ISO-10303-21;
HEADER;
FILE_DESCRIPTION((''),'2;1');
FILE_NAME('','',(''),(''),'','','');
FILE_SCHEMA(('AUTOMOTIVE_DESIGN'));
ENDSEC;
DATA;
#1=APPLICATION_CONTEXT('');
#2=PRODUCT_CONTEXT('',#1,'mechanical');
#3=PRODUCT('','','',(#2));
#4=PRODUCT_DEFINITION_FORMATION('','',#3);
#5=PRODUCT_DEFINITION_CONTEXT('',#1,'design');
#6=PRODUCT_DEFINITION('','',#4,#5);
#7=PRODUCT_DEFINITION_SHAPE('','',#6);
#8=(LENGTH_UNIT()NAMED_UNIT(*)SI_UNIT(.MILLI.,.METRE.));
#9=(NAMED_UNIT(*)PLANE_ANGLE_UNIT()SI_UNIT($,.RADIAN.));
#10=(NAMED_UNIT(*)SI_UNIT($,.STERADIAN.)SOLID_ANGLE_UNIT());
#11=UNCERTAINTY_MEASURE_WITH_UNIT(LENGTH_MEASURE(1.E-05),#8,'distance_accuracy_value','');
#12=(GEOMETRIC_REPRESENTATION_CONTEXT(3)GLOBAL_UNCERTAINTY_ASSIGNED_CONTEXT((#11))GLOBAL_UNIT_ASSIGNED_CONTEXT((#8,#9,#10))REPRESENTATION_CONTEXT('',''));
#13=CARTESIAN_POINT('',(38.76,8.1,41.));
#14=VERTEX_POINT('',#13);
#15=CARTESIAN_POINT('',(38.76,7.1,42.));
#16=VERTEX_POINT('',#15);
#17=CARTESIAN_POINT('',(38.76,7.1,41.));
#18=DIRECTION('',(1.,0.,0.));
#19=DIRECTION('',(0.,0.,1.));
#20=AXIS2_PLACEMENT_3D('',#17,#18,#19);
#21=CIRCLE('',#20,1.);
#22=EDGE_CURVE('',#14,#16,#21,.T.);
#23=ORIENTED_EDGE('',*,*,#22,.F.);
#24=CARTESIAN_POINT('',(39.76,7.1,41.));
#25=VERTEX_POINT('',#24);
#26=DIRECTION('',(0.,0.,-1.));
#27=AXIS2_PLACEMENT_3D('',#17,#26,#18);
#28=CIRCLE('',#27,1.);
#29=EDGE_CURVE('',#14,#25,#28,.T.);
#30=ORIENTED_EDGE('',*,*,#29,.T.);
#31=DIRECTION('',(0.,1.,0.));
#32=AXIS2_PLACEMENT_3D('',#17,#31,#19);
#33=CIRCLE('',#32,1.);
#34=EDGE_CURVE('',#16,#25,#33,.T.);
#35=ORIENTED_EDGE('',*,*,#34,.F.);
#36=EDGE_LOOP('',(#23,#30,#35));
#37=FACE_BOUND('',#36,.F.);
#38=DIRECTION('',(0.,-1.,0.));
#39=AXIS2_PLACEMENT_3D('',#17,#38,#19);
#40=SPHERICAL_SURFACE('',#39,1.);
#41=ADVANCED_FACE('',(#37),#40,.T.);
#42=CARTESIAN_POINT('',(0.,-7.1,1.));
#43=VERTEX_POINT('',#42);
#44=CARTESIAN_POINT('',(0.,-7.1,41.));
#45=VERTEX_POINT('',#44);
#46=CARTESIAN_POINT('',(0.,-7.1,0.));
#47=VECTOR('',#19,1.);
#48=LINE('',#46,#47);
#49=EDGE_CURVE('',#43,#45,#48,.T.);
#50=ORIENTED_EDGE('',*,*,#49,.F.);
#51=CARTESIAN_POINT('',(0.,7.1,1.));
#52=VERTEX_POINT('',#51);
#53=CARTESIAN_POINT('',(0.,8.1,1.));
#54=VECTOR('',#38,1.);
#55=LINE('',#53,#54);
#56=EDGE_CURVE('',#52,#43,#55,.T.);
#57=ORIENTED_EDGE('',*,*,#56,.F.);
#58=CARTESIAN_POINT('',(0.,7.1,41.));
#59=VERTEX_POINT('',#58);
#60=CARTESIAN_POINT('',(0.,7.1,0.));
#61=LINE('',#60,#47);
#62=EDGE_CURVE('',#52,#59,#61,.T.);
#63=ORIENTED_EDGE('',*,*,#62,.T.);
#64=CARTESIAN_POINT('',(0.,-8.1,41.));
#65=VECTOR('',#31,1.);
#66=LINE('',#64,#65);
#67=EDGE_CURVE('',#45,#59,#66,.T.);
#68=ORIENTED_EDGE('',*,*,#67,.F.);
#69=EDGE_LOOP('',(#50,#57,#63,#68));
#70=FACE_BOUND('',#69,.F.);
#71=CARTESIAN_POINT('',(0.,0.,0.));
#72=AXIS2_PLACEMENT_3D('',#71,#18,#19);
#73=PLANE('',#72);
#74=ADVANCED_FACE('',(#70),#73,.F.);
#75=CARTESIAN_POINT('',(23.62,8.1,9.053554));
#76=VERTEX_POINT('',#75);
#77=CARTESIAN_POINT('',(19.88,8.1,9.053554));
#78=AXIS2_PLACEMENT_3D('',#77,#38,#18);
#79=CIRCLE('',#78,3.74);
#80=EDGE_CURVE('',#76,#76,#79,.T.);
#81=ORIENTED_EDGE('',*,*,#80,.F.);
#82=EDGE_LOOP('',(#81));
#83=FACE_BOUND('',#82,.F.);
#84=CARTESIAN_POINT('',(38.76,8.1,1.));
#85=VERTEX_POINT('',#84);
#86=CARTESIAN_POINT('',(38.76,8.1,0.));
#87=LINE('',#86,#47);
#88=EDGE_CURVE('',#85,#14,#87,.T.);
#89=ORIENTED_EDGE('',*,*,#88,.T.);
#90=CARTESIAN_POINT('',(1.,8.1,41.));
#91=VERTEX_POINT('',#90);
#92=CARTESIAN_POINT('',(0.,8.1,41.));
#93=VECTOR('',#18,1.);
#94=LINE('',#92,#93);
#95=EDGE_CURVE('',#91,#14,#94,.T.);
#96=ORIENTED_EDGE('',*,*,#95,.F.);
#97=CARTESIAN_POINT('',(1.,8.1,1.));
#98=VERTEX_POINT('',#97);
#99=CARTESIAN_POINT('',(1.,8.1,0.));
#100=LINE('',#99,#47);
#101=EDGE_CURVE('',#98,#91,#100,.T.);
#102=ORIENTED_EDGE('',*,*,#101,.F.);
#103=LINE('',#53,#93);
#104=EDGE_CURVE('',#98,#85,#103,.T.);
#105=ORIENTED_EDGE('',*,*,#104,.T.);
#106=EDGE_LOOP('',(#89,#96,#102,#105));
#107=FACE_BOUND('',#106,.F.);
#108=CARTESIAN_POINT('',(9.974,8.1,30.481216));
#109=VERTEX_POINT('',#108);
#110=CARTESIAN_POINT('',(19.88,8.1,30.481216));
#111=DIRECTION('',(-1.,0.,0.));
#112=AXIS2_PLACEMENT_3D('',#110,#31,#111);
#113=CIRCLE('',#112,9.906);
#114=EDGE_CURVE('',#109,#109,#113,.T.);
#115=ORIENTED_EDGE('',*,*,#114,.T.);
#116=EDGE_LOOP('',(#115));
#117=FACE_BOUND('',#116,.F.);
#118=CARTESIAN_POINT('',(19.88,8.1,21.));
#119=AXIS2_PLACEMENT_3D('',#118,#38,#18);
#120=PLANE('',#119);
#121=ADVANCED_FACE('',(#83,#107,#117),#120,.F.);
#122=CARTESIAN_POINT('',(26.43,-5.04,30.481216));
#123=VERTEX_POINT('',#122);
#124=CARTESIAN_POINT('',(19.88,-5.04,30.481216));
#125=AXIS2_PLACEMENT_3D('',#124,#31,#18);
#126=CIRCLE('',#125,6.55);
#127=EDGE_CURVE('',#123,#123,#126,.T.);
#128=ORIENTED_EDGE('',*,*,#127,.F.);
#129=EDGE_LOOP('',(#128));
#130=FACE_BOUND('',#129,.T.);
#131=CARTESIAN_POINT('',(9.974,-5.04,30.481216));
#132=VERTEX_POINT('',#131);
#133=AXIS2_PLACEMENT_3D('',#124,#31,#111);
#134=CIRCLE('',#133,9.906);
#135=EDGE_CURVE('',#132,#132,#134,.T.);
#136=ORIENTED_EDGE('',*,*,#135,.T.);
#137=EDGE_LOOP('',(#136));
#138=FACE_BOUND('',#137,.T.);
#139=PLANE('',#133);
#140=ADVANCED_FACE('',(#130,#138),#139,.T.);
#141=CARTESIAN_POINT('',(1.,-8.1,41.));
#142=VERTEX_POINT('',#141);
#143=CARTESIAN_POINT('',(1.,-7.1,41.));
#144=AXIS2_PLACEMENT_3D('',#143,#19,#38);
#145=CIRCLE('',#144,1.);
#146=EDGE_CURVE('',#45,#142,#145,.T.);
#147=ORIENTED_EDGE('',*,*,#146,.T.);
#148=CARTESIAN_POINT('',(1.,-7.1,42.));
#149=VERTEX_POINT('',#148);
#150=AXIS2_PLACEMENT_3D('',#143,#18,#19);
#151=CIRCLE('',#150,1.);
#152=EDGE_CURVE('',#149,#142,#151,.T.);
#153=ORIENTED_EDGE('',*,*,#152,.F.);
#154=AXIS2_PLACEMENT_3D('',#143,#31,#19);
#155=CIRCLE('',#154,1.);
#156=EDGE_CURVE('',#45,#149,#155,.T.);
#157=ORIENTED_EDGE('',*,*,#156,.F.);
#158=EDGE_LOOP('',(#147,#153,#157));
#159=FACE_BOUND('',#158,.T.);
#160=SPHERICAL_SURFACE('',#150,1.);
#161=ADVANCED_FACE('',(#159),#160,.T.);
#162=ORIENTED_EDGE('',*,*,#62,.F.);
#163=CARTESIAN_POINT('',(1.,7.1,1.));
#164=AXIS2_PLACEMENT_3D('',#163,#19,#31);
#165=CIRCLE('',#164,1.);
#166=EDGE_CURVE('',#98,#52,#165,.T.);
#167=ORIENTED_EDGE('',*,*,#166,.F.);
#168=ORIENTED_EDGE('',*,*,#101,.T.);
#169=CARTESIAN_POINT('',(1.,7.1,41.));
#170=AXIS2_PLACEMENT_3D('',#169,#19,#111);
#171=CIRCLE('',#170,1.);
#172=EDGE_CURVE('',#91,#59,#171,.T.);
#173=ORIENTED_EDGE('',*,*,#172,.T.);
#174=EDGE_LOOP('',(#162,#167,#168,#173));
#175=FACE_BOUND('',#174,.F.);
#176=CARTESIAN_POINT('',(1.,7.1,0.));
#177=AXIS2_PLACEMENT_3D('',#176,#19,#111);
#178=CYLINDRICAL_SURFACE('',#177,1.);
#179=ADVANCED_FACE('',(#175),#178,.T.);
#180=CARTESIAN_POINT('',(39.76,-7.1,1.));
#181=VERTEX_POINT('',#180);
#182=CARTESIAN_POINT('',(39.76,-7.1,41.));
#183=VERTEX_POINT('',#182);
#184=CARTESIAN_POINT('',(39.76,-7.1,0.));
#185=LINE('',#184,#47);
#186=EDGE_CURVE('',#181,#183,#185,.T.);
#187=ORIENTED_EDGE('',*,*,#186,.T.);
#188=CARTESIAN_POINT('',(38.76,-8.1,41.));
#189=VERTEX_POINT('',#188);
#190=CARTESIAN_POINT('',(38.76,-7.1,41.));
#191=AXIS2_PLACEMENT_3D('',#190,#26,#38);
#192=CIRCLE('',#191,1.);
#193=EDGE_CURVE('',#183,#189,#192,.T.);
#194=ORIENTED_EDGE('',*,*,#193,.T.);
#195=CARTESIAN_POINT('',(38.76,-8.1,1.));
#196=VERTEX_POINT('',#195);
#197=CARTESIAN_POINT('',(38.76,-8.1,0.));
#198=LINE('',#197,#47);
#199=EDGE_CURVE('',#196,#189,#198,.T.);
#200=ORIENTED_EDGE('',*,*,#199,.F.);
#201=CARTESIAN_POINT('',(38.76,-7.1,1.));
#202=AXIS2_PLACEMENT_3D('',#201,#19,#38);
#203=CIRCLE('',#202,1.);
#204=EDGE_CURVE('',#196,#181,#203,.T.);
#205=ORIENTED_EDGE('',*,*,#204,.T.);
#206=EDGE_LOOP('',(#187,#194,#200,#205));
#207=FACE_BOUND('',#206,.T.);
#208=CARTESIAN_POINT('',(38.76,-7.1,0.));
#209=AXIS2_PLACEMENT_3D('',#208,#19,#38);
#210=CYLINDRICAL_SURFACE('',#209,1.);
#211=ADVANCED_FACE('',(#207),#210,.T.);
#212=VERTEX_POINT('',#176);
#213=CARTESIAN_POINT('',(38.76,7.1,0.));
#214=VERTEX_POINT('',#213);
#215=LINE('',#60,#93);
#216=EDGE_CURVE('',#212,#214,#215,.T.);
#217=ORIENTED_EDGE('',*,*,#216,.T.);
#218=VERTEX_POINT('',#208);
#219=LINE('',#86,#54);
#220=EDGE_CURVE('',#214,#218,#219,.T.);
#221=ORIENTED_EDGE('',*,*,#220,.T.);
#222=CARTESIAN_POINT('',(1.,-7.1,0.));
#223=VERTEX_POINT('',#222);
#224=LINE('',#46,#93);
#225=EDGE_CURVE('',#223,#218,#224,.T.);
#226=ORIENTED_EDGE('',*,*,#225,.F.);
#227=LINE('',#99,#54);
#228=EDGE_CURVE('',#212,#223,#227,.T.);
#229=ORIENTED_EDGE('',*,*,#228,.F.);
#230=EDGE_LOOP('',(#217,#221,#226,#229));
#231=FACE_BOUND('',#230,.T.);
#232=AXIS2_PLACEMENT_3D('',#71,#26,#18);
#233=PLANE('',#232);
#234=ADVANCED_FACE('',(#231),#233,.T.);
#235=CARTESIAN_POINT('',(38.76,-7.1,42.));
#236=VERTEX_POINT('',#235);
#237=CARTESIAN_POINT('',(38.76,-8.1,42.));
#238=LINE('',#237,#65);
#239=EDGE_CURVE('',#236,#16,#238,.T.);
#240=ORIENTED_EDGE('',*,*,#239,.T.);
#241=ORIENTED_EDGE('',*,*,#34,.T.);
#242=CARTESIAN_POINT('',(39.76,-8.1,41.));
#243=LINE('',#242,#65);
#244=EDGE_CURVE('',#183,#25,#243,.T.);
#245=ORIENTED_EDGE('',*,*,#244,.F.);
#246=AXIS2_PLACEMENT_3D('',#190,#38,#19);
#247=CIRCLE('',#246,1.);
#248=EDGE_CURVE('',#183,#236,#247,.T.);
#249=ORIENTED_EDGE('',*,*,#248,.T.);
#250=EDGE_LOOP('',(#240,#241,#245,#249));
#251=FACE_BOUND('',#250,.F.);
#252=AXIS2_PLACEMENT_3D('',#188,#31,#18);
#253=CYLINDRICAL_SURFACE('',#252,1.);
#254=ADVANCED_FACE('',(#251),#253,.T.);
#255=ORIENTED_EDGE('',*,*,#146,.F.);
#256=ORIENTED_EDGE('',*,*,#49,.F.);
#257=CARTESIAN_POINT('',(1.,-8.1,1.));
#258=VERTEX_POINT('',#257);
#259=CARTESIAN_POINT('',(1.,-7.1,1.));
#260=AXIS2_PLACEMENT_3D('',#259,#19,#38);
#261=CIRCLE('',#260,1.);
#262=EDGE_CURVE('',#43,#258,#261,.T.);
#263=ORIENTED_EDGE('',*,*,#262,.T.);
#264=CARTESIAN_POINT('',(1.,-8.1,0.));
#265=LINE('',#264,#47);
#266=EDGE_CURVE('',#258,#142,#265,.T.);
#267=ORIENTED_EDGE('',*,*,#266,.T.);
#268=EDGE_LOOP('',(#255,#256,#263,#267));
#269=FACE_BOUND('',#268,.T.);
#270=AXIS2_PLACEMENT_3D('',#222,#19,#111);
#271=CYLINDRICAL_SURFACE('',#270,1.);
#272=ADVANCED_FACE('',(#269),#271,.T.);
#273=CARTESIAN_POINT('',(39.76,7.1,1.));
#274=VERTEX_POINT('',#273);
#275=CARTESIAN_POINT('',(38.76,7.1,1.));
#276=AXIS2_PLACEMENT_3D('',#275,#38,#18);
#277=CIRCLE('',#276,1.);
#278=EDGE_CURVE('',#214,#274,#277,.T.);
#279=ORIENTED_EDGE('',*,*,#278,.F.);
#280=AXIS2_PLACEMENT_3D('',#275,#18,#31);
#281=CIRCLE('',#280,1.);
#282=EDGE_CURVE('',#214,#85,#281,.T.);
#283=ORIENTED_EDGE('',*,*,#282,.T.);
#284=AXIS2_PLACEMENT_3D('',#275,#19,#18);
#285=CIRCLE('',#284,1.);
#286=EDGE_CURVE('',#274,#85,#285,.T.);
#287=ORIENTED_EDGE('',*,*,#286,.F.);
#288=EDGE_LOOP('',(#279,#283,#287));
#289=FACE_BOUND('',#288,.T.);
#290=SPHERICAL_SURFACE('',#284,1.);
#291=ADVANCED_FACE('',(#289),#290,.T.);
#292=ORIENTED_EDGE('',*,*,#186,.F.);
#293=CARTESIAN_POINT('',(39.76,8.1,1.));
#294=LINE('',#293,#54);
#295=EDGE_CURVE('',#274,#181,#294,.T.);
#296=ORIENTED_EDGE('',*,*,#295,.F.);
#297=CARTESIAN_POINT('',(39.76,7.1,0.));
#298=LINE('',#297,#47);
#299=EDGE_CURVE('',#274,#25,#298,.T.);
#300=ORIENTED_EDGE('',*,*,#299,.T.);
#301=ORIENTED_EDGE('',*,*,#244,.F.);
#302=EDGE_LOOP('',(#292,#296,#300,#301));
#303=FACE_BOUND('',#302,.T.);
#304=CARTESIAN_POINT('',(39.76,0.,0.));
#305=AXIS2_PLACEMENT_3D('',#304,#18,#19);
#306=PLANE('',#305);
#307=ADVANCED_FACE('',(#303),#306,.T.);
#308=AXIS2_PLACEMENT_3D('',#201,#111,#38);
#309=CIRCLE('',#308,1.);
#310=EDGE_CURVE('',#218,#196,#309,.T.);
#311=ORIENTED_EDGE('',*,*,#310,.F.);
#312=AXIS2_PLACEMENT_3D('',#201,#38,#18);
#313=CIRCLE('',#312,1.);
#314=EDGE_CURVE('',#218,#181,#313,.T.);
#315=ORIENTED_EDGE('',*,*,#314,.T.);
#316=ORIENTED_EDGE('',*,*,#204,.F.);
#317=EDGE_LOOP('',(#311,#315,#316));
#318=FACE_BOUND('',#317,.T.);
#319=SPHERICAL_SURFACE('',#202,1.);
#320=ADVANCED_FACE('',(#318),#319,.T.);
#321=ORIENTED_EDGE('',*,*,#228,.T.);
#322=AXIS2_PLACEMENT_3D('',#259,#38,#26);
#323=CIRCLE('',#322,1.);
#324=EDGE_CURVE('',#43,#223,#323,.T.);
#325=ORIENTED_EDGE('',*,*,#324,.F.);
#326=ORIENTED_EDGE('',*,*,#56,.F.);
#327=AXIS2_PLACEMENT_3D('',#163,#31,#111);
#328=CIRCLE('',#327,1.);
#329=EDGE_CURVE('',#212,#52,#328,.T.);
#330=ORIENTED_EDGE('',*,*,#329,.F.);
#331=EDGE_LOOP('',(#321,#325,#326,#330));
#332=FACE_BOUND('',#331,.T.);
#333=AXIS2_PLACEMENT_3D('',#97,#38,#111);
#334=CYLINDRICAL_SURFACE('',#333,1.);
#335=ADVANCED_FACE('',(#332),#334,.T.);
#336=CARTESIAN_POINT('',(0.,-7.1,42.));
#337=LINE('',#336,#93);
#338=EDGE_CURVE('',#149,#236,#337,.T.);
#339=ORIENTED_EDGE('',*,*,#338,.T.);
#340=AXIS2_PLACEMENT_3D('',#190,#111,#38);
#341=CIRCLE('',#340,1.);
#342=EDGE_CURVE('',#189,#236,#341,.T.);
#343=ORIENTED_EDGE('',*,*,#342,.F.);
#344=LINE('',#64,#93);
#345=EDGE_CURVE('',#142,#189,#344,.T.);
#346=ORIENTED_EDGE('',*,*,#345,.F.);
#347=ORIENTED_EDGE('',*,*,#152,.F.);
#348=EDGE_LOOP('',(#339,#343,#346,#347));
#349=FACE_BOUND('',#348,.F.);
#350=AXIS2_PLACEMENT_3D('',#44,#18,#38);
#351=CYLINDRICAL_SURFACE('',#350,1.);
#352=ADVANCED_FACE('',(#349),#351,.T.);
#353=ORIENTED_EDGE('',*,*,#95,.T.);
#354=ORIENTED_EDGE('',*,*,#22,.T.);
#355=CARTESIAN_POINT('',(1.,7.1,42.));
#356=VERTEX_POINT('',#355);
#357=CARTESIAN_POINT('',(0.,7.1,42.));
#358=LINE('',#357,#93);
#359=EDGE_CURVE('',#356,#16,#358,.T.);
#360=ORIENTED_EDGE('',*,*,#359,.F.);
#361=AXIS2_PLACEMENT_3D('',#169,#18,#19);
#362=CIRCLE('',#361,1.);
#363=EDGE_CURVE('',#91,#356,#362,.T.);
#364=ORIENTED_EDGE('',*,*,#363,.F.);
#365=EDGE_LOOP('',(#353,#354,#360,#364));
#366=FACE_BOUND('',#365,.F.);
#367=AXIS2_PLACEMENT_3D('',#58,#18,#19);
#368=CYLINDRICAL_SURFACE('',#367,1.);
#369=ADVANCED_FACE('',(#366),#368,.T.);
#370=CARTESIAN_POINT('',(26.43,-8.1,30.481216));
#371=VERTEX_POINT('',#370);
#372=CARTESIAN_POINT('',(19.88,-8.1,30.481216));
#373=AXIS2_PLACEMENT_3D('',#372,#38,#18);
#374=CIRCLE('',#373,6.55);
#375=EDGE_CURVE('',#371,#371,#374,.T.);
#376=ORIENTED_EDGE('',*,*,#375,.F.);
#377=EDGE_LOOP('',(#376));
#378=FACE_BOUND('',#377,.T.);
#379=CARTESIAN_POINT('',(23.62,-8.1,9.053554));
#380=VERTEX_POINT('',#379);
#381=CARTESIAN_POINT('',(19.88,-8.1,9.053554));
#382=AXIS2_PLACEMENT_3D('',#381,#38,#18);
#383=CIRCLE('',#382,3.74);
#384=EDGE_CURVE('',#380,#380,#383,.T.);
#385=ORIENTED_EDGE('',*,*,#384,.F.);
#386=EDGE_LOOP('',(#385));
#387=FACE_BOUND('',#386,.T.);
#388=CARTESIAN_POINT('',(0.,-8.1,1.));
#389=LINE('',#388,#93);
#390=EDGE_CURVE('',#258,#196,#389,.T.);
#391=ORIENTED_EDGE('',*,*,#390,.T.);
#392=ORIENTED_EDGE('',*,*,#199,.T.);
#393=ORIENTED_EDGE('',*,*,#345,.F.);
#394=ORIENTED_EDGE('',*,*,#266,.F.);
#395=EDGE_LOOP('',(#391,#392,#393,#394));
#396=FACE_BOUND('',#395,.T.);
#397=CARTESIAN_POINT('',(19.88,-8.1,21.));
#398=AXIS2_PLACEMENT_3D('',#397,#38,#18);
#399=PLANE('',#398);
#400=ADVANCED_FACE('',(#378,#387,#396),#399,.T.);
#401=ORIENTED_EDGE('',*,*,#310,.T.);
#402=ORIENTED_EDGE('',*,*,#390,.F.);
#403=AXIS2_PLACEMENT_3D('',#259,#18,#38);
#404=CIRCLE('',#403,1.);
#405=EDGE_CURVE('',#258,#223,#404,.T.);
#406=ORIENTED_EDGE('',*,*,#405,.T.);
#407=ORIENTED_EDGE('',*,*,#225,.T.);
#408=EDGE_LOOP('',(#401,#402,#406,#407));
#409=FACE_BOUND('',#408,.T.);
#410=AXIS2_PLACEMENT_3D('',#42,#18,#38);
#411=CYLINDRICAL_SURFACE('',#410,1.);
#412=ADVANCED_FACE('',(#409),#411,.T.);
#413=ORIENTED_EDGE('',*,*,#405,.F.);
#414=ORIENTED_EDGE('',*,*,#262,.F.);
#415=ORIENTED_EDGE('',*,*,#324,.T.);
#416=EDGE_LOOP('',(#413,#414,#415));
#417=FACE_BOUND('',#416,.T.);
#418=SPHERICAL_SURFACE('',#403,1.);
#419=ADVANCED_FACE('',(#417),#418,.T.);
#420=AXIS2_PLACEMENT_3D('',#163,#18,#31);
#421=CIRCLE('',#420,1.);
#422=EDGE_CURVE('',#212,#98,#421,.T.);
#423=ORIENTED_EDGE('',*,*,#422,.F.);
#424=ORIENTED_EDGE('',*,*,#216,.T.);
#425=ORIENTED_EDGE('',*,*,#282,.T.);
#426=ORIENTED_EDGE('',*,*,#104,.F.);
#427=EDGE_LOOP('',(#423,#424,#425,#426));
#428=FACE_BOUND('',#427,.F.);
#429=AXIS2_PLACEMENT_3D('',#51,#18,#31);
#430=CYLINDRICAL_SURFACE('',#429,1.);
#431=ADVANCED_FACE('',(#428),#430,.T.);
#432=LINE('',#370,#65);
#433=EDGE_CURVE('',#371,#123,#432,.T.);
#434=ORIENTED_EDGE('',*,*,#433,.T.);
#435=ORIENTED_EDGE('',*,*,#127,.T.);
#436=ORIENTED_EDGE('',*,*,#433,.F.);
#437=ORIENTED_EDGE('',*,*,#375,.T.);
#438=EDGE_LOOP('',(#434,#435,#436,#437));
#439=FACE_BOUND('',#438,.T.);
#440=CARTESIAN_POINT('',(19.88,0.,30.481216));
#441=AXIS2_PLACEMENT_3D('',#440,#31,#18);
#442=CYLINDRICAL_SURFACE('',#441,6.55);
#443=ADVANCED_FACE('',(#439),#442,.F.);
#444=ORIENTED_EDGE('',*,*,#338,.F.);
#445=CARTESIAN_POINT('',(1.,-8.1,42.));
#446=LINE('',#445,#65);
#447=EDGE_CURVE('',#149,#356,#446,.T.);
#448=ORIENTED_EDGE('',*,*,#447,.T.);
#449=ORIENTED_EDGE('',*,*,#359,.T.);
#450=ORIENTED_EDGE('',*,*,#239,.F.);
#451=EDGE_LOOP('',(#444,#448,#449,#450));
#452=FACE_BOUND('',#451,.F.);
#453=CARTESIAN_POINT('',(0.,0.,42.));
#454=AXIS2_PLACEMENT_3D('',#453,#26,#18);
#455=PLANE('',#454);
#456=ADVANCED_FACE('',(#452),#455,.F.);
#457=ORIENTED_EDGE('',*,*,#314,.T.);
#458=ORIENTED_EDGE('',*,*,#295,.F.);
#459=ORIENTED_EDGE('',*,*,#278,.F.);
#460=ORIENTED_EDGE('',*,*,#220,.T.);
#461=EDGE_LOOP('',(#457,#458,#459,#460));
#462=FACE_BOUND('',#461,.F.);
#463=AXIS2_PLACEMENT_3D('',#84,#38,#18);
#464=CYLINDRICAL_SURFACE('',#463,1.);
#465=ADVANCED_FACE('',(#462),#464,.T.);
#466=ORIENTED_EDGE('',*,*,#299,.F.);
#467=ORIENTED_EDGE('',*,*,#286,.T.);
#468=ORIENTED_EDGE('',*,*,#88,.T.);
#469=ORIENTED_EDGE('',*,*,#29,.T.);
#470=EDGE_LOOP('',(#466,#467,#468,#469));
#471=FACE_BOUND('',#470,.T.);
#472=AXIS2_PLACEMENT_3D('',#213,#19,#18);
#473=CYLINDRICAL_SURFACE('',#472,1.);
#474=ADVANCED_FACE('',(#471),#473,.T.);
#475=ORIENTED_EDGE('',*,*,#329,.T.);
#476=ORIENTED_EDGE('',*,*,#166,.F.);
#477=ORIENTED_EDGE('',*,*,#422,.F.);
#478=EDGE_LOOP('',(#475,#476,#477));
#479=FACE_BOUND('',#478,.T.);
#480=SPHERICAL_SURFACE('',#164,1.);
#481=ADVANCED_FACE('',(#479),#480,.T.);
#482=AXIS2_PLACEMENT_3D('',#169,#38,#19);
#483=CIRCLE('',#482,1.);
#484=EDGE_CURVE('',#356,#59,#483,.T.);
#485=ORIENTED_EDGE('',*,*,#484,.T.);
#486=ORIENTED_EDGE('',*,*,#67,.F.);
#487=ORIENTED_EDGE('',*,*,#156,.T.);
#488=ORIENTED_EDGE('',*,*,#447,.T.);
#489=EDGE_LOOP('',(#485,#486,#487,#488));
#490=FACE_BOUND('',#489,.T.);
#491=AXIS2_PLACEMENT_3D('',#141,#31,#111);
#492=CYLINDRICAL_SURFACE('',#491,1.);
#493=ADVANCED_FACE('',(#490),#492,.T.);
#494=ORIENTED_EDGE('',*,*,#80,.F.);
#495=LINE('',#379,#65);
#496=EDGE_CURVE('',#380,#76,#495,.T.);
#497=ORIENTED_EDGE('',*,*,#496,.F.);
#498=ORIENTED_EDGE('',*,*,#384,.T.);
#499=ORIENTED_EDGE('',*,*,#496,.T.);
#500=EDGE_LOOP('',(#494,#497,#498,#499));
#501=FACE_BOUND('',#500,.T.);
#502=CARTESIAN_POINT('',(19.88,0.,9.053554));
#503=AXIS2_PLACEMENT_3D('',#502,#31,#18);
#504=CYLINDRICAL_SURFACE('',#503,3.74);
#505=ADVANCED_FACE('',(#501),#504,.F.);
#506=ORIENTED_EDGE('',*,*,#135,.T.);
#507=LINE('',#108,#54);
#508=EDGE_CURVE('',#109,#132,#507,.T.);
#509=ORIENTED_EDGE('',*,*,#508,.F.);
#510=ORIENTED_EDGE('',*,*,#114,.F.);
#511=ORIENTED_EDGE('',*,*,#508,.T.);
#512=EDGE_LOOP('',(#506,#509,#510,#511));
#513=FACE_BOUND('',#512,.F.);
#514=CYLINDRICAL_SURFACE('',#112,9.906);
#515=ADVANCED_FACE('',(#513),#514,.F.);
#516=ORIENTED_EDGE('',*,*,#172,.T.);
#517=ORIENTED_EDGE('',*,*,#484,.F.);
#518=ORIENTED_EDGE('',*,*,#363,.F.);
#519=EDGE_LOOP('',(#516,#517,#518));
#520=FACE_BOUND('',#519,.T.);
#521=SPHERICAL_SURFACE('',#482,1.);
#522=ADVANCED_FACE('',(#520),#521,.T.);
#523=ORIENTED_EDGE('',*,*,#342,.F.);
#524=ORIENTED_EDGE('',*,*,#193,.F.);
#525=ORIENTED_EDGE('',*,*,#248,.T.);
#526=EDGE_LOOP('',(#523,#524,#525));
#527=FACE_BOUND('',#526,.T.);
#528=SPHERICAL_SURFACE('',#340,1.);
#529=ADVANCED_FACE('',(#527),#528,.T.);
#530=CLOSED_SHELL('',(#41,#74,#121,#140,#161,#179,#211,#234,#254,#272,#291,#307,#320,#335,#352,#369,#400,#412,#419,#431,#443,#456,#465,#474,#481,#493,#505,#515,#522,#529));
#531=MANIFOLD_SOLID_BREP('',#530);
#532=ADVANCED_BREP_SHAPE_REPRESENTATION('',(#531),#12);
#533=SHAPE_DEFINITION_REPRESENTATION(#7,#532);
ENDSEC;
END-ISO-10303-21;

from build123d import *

# Parameters (mm, degrees)
F0_W     = 39.76
F0_H     = 42
F0_R     = 3.74
F0_R_2   = 6.55
F1_DEPTH = 8.1
F2_R     = 9.906
F2_R_2   = 6.55
F3_DEPTH = 13.14
F4_R     = 1


with BuildPart() as f1:
    # F0 (on Front) → F1 (new body, symmetric)
    with BuildSketch(Plane.XZ):
        with Locations((19.88, 21)):
            Rectangle(F0_W, F0_H)
        with Locations((19.88, 9.053554)):
            Circle(F0_R, mode=Mode.SUBTRACT)
        with Locations((19.88, 30.481216)):
            Circle(F0_R_2, mode=Mode.SUBTRACT)
    extrude(amount=F1_DEPTH, both=True)

    # F2 (on face) → F3 (cut)
    with BuildSketch(Plane(origin=(0, 8.1, 0), x_dir=(-1, 0, 0), z_dir=(0, 1, 0))):
        with Locations((-19.88, 30.481216)):
            Circle(F2_R)
        with Locations((-19.88, 30.481216)):
            Circle(F2_R_2, mode=Mode.SUBTRACT)
    extrude(amount=-F3_DEPTH, mode=Mode.SUBTRACT)

    # F4
    f4_edges = [f1.edges().sort_by_distance(p)[0] for p in [
        (19.88, -8.1, 42),
        (39.76, -8.1, 21),
        (19.88, -8.1, 0),
        (39.76, 0, 42),
        (0, 0, 42),
        (19.88, 8.1, 42),
        (39.76, 8.1, 21),
        (39.76, 0, 0),
        (0, -8.1, 21),
        (0, 8.1, 21),
        (19.88, 8.1, 0),
        (0, 0, 0),
    ]]
    fillet(f4_edges, radius=F4_R)


solid = f1.part
